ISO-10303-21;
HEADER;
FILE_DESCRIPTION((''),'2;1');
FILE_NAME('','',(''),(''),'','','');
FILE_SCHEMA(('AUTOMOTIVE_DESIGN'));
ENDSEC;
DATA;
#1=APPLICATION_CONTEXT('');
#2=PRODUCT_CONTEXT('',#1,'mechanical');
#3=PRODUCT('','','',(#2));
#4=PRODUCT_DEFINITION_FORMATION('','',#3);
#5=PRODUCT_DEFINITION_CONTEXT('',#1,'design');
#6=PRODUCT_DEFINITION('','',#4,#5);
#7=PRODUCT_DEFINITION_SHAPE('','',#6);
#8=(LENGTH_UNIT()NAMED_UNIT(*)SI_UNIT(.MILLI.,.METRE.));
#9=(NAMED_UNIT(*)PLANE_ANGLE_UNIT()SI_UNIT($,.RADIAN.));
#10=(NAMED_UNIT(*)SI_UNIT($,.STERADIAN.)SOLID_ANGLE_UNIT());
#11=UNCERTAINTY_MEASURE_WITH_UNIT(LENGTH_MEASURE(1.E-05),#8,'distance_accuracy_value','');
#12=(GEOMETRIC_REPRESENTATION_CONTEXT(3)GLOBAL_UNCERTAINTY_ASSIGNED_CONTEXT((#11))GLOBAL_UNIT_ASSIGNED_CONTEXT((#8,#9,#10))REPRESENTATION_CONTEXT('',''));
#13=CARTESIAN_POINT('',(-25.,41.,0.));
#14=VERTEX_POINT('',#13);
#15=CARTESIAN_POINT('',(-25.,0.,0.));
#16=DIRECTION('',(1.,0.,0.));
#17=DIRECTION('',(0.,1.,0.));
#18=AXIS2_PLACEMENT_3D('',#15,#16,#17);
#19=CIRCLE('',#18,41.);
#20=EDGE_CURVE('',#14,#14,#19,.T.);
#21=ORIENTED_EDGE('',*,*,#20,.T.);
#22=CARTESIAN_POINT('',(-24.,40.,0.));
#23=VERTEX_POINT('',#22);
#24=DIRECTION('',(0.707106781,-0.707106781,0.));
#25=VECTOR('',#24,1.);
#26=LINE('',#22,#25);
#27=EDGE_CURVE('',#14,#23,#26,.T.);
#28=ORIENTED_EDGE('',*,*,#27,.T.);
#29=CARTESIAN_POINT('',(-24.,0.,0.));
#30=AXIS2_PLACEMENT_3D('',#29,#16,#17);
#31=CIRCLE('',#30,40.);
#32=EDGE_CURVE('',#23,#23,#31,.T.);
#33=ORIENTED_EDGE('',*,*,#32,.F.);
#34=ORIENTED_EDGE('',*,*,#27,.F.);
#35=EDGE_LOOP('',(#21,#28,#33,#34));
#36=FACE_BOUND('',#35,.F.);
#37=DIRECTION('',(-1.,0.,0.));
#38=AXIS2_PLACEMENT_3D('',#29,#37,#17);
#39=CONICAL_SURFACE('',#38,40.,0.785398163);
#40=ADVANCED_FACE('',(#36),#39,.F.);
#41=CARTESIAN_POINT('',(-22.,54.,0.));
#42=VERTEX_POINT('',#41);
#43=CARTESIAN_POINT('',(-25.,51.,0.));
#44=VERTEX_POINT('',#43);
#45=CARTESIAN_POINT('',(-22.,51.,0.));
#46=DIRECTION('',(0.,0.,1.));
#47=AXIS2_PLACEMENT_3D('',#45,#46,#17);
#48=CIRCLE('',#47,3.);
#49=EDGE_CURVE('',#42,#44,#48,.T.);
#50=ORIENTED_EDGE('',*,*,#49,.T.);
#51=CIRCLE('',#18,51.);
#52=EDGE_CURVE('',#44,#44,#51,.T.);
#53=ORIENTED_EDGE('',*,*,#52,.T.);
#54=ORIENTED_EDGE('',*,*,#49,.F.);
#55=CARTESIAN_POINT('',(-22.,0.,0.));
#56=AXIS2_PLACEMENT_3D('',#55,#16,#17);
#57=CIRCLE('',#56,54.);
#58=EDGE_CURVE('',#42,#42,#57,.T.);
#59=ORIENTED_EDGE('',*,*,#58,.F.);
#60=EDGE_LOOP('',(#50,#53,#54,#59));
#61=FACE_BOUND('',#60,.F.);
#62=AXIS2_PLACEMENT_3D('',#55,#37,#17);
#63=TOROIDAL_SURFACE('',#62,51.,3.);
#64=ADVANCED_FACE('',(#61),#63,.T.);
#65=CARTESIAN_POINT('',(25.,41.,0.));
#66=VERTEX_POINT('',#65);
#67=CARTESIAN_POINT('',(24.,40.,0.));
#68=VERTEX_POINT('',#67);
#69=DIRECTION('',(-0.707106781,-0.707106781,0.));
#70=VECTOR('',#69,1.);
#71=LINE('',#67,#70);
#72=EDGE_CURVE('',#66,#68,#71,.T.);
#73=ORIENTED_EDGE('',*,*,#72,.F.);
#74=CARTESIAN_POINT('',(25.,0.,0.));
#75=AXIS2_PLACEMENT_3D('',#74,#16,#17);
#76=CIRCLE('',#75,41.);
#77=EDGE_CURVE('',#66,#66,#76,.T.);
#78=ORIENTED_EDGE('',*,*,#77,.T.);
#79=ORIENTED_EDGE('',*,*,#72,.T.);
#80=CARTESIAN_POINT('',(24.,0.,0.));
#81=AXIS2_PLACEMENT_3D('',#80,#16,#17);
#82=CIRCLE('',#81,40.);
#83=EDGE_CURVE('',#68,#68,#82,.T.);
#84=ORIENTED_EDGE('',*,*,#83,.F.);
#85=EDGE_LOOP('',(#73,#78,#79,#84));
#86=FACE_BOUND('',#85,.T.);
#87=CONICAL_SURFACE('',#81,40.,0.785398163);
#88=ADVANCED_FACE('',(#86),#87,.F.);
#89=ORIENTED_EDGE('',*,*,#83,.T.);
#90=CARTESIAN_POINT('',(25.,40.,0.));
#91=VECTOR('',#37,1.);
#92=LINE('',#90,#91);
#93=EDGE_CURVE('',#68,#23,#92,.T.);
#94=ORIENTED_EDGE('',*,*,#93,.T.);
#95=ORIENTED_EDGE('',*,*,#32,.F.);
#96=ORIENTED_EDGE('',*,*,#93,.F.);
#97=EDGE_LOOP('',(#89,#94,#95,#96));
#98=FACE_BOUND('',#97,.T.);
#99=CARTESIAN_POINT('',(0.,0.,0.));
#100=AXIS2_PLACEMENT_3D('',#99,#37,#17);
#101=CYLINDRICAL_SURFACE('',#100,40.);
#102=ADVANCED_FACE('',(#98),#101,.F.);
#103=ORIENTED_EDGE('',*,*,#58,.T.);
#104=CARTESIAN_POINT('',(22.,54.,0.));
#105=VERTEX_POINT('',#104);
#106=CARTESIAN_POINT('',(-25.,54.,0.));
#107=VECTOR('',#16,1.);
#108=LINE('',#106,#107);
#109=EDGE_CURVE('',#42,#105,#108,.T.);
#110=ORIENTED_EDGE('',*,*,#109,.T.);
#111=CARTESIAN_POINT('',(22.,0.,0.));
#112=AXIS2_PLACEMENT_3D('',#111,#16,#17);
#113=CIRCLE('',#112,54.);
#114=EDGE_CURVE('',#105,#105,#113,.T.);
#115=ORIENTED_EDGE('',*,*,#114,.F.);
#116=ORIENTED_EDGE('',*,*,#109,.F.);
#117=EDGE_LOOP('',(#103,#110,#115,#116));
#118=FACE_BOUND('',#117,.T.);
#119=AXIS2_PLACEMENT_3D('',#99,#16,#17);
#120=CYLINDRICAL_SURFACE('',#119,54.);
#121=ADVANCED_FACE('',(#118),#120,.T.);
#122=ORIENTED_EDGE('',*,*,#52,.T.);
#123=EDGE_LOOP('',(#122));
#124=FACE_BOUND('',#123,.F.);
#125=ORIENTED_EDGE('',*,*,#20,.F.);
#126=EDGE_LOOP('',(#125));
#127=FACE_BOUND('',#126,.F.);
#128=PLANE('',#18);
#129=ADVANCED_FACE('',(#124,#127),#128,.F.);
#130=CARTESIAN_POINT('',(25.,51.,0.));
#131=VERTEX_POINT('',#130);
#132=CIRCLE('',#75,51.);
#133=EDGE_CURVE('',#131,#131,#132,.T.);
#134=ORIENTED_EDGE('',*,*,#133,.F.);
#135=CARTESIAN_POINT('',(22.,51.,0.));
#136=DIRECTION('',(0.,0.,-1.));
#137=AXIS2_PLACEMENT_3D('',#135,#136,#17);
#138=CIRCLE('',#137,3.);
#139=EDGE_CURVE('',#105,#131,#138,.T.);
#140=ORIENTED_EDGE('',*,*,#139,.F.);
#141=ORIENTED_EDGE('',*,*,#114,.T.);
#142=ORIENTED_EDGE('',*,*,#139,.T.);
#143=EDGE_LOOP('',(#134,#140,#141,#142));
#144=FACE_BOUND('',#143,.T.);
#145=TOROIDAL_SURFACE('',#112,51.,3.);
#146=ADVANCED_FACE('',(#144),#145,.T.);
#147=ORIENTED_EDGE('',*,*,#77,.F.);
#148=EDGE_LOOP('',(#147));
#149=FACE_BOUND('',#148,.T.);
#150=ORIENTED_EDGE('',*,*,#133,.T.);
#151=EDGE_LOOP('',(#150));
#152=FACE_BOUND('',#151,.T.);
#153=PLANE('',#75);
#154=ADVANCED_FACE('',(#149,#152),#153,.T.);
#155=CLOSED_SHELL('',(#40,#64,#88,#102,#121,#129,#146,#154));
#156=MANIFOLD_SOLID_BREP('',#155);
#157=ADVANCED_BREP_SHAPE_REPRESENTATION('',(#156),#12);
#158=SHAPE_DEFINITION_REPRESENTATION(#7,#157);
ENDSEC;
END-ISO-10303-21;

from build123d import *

# Parameters (mm, degrees)
SKETCH008_R   = 54
SKETCH008_R_2 = 40
PAD005_DEPTH  = 25
FILLET_R      = 3
CHAMFER_SIZE  = 1


with BuildPart() as part:
    # Sketch008 → Pad005 (new body, symmetric)
    with BuildSketch(Plane.YZ):
        Circle(SKETCH008_R)
        Circle(SKETCH008_R_2, mode=Mode.SUBTRACT)
    extrude(amount=PAD005_DEPTH, both=True)

    # Fillet
    fillet_edges = [part.edges().sort_by_distance(p)[0] for p in [
        (-25, -54, 0),
        (25, -54, 0),
    ]]
    fillet(fillet_edges, radius=FILLET_R)

    # Chamfer
    chamfer_edges = [part.edges().sort_by_distance(p)[0] for p in [
        (-25, -40, 0),
        (0, 40, 0),
        (25, -40, 0),
    ]]
    chamfer(chamfer_edges, length=CHAMFER_SIZE)


solid = part.part
